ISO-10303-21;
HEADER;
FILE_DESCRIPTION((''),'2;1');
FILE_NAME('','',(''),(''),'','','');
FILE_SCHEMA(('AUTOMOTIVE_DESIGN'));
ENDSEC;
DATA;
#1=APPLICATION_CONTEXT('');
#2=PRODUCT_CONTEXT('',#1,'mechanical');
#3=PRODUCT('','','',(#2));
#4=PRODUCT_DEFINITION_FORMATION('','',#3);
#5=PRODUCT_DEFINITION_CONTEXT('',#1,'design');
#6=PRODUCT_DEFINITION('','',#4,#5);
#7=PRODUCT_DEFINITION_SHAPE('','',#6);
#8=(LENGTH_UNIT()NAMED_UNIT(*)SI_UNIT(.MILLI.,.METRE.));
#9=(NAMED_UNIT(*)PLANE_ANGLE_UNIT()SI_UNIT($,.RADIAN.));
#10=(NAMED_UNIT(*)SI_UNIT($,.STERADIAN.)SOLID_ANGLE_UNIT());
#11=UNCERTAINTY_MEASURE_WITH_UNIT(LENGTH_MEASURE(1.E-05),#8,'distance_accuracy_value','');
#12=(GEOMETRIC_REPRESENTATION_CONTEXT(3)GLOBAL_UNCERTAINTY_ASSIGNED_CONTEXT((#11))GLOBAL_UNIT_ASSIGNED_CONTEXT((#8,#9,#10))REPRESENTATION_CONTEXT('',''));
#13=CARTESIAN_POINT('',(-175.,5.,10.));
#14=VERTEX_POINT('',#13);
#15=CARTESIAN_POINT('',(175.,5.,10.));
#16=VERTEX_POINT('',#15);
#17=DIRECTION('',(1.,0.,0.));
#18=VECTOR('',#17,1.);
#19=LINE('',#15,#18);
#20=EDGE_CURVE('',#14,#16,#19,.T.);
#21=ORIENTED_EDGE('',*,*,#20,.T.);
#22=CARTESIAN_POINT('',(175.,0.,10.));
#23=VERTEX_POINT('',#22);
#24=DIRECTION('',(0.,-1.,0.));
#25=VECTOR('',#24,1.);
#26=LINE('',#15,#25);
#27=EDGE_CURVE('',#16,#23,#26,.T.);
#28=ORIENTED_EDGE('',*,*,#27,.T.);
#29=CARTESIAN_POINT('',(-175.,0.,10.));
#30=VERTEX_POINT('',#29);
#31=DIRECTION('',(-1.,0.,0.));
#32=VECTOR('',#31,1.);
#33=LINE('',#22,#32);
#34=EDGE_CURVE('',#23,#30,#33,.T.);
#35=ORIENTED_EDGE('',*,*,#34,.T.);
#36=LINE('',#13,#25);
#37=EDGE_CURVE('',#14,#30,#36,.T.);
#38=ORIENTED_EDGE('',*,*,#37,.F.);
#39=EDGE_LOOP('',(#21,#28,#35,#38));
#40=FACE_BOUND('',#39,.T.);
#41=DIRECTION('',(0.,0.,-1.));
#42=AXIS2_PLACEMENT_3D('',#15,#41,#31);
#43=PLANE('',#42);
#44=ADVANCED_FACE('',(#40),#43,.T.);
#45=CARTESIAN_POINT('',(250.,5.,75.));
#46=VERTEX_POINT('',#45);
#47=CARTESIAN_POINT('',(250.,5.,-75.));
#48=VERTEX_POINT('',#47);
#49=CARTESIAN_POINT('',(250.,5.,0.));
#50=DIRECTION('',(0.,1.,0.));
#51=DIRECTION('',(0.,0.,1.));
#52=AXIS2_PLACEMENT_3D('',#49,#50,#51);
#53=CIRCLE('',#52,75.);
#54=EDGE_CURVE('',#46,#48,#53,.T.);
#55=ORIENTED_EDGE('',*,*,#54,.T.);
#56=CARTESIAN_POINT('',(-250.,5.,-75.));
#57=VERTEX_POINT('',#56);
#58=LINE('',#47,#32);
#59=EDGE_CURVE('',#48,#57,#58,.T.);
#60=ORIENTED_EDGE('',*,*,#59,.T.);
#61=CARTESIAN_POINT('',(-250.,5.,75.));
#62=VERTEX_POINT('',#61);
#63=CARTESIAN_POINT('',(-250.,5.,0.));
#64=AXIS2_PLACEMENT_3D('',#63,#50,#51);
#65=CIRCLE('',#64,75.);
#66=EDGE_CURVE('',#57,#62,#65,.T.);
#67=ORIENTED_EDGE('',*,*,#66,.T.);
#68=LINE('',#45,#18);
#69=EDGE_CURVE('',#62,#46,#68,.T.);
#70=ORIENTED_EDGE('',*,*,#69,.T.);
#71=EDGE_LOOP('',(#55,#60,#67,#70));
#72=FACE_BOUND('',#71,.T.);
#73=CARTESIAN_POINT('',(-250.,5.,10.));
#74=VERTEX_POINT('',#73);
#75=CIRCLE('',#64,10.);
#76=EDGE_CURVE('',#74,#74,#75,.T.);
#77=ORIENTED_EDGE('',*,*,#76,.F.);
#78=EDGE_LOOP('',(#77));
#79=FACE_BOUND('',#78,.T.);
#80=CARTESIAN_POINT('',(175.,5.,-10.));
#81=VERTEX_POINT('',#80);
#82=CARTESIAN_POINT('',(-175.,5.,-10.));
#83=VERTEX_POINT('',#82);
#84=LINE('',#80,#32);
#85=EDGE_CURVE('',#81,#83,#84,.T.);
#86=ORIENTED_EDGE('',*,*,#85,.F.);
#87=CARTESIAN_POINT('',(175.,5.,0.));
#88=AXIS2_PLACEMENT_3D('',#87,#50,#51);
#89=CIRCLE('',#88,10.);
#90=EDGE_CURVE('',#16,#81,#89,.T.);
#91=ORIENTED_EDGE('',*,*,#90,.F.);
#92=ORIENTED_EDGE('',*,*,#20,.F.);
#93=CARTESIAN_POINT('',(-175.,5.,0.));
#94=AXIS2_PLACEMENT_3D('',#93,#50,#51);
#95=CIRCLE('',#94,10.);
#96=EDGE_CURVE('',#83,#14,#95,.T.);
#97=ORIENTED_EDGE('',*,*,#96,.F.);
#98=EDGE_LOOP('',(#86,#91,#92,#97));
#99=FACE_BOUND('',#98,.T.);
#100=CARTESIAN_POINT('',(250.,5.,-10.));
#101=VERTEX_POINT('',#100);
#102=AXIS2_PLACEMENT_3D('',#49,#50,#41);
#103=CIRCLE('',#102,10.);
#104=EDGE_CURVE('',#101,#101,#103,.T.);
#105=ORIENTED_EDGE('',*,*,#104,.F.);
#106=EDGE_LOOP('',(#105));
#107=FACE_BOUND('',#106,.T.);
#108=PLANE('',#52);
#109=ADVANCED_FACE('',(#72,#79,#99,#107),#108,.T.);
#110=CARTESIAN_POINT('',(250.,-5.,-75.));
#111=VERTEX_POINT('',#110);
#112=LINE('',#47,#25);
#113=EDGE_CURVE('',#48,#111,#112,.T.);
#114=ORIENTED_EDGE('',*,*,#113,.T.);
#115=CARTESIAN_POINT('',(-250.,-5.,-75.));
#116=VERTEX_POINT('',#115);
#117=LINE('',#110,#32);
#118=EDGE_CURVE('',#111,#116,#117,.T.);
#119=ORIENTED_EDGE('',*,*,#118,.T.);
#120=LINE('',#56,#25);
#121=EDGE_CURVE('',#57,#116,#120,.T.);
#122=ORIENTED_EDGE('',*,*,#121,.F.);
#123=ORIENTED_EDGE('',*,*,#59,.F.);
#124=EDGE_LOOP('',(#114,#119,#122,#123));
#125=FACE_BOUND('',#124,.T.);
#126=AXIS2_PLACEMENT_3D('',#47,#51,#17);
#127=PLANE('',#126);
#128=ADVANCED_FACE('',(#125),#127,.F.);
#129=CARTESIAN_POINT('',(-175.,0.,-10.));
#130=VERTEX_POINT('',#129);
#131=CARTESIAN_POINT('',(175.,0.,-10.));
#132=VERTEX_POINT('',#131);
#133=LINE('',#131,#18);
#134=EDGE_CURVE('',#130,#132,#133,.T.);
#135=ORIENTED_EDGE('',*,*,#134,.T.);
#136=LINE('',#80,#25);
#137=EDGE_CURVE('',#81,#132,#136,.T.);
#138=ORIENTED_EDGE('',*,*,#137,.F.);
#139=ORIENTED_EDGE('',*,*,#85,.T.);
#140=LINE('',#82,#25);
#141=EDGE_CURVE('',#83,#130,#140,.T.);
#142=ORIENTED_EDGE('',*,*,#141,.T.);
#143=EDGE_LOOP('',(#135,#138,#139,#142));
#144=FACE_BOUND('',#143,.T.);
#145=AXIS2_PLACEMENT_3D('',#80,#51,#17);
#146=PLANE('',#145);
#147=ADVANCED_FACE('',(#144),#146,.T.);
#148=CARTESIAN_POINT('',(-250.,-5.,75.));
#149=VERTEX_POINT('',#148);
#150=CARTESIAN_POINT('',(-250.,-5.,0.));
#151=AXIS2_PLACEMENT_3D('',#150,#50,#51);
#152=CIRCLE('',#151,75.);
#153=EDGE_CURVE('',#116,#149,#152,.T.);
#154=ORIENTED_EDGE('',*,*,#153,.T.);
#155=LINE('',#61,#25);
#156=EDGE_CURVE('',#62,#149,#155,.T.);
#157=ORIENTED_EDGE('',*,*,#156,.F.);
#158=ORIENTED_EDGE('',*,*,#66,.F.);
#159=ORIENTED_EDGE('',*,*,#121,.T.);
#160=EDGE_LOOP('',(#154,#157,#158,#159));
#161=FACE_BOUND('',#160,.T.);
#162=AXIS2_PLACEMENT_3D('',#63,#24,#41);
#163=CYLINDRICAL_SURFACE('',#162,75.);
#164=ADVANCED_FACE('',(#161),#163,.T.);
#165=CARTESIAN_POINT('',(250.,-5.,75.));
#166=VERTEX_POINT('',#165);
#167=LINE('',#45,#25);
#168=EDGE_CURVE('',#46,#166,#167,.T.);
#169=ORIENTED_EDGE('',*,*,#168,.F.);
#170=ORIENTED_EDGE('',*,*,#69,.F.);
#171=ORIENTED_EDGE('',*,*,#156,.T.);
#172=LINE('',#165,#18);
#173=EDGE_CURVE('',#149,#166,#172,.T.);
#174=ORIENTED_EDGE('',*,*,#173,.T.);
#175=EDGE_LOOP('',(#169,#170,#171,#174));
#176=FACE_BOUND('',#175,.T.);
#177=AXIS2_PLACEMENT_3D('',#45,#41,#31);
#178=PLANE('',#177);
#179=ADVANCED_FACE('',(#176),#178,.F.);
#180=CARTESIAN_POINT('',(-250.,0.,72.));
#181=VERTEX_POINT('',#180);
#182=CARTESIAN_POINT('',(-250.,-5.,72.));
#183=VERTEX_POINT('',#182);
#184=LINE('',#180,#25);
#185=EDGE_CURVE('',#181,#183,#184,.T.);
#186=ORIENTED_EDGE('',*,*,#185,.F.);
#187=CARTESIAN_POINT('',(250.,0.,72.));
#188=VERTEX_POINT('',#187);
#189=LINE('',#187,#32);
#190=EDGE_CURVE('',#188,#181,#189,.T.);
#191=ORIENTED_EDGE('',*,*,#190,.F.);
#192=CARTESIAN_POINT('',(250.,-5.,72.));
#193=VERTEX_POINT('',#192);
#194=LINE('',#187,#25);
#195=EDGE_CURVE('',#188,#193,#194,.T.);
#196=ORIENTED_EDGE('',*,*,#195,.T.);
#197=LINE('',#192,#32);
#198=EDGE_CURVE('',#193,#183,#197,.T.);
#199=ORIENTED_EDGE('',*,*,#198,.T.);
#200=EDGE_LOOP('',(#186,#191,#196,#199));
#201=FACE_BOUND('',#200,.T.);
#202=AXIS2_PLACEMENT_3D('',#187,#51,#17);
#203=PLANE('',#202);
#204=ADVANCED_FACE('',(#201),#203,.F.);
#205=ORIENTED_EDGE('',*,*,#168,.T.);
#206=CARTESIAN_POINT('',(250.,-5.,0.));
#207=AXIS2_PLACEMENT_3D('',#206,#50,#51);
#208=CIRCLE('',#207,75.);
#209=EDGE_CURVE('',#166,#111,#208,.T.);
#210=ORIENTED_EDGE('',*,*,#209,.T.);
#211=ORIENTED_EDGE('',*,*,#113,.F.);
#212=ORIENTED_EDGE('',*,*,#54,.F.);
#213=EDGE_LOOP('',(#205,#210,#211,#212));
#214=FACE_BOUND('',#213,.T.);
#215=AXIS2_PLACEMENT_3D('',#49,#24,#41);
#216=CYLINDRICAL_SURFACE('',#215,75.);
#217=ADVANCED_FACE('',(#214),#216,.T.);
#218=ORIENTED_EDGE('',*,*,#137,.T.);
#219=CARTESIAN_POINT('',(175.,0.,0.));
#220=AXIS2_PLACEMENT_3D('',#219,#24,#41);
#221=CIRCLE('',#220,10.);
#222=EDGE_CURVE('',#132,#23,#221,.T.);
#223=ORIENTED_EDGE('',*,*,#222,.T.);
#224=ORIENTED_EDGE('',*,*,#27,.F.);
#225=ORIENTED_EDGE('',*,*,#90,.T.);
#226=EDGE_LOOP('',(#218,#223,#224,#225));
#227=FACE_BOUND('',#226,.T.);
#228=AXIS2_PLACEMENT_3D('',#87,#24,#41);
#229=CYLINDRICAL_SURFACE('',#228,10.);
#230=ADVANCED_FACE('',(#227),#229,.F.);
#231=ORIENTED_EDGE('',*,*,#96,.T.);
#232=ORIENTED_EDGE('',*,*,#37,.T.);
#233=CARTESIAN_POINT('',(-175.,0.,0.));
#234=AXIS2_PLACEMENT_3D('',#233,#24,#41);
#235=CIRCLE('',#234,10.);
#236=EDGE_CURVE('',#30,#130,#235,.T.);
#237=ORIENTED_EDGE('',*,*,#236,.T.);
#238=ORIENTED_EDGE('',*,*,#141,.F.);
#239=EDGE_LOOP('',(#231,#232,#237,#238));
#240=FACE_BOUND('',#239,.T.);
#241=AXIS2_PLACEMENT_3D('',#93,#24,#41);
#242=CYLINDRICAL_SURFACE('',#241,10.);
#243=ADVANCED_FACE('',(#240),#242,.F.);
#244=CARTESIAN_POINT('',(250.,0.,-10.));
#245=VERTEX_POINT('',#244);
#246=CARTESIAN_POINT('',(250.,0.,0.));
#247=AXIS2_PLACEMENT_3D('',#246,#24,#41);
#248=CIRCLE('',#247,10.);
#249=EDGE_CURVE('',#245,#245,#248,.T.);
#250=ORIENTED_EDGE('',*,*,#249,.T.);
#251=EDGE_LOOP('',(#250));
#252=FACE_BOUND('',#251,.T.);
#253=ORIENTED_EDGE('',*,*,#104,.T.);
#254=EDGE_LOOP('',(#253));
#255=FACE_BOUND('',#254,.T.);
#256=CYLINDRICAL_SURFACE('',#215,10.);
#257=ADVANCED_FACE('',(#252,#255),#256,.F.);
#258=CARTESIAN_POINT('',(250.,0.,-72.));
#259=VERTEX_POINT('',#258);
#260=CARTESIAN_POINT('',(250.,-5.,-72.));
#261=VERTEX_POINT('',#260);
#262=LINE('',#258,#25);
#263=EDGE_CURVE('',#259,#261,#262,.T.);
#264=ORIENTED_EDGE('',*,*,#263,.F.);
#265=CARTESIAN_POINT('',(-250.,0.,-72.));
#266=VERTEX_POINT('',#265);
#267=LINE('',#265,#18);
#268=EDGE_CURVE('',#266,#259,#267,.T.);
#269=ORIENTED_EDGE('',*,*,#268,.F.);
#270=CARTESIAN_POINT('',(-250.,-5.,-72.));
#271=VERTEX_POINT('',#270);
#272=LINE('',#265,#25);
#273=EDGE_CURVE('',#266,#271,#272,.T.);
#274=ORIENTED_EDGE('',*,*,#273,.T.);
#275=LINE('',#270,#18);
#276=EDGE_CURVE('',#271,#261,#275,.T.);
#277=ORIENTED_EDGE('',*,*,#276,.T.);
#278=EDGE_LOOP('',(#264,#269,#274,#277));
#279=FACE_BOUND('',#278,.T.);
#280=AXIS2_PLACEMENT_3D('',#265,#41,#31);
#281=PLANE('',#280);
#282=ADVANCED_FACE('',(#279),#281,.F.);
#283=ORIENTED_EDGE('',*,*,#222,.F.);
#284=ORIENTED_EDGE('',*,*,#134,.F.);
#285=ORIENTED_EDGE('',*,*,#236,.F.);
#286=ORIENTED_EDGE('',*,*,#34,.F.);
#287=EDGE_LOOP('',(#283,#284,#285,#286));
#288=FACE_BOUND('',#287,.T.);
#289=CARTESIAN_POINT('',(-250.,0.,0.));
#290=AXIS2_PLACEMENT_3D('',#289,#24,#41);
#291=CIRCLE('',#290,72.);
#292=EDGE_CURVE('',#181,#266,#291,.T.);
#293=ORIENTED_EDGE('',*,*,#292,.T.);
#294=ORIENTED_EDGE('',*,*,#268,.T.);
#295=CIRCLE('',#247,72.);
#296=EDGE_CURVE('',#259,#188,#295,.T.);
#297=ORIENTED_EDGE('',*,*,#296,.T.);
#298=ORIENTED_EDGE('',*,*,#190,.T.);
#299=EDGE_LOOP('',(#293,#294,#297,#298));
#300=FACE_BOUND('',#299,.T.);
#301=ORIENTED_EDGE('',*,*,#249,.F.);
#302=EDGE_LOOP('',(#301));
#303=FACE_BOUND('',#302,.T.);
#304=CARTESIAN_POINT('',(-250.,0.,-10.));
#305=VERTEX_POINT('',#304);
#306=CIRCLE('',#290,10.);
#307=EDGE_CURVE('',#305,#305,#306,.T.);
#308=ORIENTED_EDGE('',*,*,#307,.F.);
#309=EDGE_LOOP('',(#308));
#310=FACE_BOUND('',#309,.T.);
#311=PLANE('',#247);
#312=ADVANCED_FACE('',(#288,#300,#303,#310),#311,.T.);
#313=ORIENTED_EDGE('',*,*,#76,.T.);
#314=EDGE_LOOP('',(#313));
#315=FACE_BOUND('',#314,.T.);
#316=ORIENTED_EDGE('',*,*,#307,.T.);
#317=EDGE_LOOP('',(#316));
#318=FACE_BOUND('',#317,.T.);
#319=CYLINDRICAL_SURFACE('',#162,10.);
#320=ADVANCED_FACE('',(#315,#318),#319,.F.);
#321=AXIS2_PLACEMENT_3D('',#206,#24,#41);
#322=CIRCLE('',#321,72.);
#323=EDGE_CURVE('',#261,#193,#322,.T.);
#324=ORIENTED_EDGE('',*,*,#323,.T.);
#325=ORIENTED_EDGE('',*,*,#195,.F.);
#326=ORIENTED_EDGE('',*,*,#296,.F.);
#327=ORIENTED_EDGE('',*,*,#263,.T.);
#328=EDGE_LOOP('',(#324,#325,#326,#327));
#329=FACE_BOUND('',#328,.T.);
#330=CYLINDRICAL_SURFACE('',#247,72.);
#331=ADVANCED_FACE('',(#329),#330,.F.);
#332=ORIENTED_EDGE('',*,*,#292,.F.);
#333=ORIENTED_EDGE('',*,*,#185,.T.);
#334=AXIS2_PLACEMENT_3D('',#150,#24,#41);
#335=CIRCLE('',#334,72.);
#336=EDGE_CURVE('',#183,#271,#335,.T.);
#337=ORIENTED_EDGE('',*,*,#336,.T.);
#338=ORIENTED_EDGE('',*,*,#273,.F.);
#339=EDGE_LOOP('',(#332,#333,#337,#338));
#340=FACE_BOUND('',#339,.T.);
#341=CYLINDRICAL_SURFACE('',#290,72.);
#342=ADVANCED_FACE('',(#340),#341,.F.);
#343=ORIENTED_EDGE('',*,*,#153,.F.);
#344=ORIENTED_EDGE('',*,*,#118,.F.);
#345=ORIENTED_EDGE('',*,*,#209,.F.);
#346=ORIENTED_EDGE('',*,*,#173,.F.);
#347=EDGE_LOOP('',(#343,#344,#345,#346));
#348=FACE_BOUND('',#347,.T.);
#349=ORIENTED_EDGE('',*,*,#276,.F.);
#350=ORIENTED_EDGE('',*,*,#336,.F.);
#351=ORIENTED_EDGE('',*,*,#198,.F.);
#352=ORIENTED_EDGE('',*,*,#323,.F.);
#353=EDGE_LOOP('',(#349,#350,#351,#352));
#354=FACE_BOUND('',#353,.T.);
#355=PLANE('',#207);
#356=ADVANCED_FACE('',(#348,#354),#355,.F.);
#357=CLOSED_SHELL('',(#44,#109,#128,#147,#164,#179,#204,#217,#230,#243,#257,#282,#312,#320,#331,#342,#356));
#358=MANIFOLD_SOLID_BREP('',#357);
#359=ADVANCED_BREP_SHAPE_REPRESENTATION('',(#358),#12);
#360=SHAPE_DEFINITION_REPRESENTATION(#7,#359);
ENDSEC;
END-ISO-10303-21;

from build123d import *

# Parameters (mm, degrees)
SKETCH1_R           = 10
BOSS_EXTRUDE1_DEPTH = 5
CUT_EXTRUDE1_DEPTH  = 5


with BuildPart() as part:
    # Sketch1 → Boss-Extrude1 (new, symmetric)
    with BuildSketch(Plane(origin=(0, 0, 0), x_dir=(-1, 0, 0), z_dir=(0, 1, 0))):
        with BuildLine():
            Line((-250, 75), (250, 75))
            ThreePointArc((250, 75), (325, 0), (250, -75))
            Line((250, -75), (-250, -75))
            ThreePointArc((-250, -75), (-325, 0), (-250, 75))
        make_face()
        with Locations(Location((250, 0, 0), (0, 0, 90))):
            Circle(SKETCH1_R, mode=Mode.SUBTRACT)
        with Locations(Location((-250, 0, 0), (0, 0, 270))):
            Circle(SKETCH1_R, mode=Mode.SUBTRACT)
        with BuildLine():
            Line((-175, 10), (175, 10))
            ThreePointArc((175, 10), (185, 0), (175, -10))
            Line((175, -10), (-175, -10))
            ThreePointArc((-175, -10), (-185, 0), (-175, 10))
        make_face(mode=Mode.SUBTRACT)
    extrude(amount=BOSS_EXTRUDE1_DEPTH, both=True)

    # Sketch4 → Cut-Extrude1 (cut)
    with BuildSketch(Plane.XZ.offset(5)):
        with BuildLine():
            Line((250, 72), (-250, 72))
            ThreePointArc((-250, 72), (-322, 0), (-250, -72))
            Line((-250, -72), (250, -72))
            ThreePointArc((250, -72), (322, 0), (250, 72))
        make_face()
    extrude(amount=-CUT_EXTRUDE1_DEPTH, mode=Mode.SUBTRACT)


solid = part.part
